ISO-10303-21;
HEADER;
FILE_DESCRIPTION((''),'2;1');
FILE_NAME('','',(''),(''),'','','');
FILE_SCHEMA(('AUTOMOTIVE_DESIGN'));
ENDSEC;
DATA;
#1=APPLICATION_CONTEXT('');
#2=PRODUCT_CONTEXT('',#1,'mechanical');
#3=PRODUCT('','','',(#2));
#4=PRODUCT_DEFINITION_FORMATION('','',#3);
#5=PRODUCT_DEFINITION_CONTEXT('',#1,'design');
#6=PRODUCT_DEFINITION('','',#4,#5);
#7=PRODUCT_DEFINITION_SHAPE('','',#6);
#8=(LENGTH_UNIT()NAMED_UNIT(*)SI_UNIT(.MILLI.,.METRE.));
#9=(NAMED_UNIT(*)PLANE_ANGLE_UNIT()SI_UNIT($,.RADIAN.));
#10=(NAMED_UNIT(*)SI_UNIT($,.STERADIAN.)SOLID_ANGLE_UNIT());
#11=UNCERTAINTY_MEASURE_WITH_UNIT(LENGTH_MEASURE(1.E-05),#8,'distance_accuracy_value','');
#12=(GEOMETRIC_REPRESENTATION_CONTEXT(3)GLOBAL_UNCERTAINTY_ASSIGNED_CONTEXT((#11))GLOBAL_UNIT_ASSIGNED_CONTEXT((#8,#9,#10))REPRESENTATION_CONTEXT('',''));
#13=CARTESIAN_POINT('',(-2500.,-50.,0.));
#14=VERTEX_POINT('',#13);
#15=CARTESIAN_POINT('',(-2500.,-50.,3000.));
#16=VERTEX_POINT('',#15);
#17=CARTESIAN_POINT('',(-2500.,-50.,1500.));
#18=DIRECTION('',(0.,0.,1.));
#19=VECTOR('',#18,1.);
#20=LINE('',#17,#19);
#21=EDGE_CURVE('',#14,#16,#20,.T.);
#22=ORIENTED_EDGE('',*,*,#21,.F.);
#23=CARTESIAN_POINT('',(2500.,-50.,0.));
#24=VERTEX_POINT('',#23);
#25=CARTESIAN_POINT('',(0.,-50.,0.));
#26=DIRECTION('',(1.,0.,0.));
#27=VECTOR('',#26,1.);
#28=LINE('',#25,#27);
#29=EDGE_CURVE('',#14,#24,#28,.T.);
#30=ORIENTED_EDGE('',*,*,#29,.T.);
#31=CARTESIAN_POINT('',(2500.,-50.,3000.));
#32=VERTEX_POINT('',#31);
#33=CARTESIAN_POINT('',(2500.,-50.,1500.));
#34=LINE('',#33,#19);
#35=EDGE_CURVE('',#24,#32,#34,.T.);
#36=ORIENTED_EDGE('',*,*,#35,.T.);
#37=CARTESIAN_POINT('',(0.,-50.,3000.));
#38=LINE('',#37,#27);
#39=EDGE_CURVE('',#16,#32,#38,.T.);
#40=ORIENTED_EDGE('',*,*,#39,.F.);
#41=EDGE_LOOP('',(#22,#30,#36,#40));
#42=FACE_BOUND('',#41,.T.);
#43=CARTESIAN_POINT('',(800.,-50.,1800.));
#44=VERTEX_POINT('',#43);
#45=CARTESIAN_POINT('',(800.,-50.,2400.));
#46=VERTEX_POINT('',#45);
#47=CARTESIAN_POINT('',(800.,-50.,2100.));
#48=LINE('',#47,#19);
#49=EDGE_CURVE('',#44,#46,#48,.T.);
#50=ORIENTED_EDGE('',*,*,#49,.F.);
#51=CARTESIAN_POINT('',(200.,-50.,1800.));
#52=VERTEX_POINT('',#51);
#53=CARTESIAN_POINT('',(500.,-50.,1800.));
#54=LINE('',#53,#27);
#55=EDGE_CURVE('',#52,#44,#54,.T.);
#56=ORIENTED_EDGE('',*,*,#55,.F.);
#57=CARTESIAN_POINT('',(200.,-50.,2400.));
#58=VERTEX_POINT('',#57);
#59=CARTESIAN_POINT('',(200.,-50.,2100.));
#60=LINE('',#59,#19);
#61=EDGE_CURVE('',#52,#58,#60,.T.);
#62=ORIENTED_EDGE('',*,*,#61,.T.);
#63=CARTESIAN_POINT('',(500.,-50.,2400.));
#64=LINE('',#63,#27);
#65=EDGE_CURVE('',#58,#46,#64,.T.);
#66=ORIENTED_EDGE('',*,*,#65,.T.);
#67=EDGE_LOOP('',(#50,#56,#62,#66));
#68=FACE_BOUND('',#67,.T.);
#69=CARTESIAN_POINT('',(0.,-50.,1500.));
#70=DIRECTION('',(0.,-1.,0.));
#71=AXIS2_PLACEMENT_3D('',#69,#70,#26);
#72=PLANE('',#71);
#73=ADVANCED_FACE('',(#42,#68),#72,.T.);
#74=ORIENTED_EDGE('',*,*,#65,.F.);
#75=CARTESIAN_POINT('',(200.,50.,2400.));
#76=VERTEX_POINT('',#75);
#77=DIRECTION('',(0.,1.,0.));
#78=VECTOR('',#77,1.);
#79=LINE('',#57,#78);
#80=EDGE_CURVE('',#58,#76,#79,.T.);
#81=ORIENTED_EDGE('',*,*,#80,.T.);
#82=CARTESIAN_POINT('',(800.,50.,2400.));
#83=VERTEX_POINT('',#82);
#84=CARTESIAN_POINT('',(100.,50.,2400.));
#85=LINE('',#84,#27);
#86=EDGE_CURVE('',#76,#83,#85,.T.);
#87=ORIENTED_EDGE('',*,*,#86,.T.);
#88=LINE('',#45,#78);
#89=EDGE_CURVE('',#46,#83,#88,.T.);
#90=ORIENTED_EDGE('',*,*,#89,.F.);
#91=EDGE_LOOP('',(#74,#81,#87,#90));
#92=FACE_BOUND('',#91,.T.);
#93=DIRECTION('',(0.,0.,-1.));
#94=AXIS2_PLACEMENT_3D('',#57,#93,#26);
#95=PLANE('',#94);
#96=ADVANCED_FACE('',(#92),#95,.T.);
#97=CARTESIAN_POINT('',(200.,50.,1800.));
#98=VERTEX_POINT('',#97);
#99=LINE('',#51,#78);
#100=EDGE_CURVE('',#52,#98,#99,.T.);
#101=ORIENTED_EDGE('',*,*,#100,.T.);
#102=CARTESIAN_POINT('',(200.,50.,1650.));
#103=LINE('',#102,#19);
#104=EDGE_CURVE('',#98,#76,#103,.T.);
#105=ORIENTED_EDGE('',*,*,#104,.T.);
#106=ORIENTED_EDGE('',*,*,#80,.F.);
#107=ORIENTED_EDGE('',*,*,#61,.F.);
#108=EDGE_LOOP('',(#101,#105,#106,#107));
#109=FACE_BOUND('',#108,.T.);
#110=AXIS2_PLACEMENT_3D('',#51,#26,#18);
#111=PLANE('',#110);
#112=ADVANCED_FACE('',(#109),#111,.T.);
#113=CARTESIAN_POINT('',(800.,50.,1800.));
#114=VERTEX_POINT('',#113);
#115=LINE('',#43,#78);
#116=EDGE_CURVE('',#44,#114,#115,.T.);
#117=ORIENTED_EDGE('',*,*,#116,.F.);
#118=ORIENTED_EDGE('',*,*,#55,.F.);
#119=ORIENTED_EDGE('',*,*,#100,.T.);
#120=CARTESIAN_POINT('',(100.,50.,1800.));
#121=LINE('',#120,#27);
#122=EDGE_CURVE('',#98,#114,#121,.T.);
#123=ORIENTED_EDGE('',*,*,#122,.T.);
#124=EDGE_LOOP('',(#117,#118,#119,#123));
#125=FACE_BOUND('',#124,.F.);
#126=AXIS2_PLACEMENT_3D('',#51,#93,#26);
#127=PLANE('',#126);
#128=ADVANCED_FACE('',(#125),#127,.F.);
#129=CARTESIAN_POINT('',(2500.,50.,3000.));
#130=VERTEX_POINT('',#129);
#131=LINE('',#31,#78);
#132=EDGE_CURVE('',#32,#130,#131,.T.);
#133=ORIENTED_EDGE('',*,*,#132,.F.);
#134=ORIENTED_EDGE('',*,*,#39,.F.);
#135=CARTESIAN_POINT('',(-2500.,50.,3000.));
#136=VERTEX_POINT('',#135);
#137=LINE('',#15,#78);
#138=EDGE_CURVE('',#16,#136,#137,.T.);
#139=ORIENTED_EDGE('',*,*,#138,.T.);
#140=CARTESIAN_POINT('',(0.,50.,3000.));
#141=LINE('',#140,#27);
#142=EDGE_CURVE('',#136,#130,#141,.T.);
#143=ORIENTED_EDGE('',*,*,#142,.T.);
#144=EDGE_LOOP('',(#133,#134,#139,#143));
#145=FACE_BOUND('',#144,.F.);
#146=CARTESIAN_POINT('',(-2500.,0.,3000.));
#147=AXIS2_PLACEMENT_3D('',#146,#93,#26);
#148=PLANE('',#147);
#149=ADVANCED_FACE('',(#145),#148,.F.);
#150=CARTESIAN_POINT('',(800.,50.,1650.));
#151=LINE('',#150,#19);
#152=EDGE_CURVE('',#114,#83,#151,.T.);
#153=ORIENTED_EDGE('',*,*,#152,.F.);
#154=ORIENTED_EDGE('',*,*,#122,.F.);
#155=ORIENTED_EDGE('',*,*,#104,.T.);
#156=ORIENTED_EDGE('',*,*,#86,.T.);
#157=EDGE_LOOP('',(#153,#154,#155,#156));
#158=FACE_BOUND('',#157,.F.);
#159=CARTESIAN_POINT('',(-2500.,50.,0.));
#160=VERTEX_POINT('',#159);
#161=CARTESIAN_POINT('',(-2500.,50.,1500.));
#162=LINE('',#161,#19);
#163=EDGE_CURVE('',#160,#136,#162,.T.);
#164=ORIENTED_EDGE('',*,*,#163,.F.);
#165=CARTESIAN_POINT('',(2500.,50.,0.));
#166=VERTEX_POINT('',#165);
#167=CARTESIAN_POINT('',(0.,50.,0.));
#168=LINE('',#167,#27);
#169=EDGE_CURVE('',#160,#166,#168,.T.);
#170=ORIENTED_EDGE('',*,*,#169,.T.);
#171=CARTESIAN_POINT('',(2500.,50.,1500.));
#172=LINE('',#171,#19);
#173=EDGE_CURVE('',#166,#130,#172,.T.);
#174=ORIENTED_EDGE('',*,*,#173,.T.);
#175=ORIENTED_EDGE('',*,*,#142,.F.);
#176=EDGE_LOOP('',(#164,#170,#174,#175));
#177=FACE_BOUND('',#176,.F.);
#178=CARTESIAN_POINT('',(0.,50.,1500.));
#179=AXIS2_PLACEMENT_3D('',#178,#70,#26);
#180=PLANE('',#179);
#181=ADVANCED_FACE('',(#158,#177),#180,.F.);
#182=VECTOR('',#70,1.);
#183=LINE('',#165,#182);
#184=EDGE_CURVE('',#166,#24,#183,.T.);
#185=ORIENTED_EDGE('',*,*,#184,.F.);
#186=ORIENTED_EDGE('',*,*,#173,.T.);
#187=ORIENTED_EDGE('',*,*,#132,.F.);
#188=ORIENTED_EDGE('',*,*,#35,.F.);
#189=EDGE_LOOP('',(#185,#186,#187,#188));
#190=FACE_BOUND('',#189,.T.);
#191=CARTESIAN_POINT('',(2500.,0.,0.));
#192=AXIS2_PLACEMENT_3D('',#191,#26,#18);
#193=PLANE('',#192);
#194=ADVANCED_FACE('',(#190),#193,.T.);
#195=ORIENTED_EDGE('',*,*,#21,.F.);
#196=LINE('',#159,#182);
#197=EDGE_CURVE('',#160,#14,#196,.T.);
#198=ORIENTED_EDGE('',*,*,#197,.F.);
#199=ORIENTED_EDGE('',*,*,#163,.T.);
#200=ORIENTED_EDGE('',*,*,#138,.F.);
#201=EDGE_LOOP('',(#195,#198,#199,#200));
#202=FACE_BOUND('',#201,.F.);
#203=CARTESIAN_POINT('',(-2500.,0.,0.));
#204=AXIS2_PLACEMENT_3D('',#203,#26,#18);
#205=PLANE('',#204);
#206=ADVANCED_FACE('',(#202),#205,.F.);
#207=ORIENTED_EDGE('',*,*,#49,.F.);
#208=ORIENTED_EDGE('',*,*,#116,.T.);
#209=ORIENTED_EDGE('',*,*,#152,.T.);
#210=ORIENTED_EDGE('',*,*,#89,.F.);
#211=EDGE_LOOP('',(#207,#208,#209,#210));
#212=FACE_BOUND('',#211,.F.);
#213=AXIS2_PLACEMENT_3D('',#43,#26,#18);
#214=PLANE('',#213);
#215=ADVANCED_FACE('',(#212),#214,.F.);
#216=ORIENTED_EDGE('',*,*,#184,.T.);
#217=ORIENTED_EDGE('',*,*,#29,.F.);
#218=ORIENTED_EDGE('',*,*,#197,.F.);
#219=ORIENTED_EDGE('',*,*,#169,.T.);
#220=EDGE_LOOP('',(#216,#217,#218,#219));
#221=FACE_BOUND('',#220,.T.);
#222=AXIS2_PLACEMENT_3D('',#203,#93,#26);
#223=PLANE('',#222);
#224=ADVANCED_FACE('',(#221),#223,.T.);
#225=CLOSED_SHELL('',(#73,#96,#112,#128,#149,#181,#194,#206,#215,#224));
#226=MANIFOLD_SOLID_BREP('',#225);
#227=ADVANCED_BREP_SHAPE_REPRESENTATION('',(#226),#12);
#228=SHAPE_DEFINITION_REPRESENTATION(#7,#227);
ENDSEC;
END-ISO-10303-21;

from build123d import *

# Parameters (mm, degrees)
F0_W     = 5000
F0_H     = 3000
F1_DEPTH = 50
F2_W     = 600
F2_H     = 600
F3_DEPTH = 100.001


with BuildPart() as f1:
    # F0 (on Front) → F1 (new body, symmetric)
    with BuildSketch(Plane.XZ):
        with Locations((0, 1500)):
            Rectangle(F0_W, F0_H)
    extrude(amount=F1_DEPTH, both=True)

    # F2 (on face) → F3 (cut, through all)
    with BuildSketch(Plane.XZ.offset(50)):
        with Locations((500, 2100)):
            Rectangle(F2_W, F2_H)
    extrude(amount=-F3_DEPTH, mode=Mode.SUBTRACT)


solid = f1.part
